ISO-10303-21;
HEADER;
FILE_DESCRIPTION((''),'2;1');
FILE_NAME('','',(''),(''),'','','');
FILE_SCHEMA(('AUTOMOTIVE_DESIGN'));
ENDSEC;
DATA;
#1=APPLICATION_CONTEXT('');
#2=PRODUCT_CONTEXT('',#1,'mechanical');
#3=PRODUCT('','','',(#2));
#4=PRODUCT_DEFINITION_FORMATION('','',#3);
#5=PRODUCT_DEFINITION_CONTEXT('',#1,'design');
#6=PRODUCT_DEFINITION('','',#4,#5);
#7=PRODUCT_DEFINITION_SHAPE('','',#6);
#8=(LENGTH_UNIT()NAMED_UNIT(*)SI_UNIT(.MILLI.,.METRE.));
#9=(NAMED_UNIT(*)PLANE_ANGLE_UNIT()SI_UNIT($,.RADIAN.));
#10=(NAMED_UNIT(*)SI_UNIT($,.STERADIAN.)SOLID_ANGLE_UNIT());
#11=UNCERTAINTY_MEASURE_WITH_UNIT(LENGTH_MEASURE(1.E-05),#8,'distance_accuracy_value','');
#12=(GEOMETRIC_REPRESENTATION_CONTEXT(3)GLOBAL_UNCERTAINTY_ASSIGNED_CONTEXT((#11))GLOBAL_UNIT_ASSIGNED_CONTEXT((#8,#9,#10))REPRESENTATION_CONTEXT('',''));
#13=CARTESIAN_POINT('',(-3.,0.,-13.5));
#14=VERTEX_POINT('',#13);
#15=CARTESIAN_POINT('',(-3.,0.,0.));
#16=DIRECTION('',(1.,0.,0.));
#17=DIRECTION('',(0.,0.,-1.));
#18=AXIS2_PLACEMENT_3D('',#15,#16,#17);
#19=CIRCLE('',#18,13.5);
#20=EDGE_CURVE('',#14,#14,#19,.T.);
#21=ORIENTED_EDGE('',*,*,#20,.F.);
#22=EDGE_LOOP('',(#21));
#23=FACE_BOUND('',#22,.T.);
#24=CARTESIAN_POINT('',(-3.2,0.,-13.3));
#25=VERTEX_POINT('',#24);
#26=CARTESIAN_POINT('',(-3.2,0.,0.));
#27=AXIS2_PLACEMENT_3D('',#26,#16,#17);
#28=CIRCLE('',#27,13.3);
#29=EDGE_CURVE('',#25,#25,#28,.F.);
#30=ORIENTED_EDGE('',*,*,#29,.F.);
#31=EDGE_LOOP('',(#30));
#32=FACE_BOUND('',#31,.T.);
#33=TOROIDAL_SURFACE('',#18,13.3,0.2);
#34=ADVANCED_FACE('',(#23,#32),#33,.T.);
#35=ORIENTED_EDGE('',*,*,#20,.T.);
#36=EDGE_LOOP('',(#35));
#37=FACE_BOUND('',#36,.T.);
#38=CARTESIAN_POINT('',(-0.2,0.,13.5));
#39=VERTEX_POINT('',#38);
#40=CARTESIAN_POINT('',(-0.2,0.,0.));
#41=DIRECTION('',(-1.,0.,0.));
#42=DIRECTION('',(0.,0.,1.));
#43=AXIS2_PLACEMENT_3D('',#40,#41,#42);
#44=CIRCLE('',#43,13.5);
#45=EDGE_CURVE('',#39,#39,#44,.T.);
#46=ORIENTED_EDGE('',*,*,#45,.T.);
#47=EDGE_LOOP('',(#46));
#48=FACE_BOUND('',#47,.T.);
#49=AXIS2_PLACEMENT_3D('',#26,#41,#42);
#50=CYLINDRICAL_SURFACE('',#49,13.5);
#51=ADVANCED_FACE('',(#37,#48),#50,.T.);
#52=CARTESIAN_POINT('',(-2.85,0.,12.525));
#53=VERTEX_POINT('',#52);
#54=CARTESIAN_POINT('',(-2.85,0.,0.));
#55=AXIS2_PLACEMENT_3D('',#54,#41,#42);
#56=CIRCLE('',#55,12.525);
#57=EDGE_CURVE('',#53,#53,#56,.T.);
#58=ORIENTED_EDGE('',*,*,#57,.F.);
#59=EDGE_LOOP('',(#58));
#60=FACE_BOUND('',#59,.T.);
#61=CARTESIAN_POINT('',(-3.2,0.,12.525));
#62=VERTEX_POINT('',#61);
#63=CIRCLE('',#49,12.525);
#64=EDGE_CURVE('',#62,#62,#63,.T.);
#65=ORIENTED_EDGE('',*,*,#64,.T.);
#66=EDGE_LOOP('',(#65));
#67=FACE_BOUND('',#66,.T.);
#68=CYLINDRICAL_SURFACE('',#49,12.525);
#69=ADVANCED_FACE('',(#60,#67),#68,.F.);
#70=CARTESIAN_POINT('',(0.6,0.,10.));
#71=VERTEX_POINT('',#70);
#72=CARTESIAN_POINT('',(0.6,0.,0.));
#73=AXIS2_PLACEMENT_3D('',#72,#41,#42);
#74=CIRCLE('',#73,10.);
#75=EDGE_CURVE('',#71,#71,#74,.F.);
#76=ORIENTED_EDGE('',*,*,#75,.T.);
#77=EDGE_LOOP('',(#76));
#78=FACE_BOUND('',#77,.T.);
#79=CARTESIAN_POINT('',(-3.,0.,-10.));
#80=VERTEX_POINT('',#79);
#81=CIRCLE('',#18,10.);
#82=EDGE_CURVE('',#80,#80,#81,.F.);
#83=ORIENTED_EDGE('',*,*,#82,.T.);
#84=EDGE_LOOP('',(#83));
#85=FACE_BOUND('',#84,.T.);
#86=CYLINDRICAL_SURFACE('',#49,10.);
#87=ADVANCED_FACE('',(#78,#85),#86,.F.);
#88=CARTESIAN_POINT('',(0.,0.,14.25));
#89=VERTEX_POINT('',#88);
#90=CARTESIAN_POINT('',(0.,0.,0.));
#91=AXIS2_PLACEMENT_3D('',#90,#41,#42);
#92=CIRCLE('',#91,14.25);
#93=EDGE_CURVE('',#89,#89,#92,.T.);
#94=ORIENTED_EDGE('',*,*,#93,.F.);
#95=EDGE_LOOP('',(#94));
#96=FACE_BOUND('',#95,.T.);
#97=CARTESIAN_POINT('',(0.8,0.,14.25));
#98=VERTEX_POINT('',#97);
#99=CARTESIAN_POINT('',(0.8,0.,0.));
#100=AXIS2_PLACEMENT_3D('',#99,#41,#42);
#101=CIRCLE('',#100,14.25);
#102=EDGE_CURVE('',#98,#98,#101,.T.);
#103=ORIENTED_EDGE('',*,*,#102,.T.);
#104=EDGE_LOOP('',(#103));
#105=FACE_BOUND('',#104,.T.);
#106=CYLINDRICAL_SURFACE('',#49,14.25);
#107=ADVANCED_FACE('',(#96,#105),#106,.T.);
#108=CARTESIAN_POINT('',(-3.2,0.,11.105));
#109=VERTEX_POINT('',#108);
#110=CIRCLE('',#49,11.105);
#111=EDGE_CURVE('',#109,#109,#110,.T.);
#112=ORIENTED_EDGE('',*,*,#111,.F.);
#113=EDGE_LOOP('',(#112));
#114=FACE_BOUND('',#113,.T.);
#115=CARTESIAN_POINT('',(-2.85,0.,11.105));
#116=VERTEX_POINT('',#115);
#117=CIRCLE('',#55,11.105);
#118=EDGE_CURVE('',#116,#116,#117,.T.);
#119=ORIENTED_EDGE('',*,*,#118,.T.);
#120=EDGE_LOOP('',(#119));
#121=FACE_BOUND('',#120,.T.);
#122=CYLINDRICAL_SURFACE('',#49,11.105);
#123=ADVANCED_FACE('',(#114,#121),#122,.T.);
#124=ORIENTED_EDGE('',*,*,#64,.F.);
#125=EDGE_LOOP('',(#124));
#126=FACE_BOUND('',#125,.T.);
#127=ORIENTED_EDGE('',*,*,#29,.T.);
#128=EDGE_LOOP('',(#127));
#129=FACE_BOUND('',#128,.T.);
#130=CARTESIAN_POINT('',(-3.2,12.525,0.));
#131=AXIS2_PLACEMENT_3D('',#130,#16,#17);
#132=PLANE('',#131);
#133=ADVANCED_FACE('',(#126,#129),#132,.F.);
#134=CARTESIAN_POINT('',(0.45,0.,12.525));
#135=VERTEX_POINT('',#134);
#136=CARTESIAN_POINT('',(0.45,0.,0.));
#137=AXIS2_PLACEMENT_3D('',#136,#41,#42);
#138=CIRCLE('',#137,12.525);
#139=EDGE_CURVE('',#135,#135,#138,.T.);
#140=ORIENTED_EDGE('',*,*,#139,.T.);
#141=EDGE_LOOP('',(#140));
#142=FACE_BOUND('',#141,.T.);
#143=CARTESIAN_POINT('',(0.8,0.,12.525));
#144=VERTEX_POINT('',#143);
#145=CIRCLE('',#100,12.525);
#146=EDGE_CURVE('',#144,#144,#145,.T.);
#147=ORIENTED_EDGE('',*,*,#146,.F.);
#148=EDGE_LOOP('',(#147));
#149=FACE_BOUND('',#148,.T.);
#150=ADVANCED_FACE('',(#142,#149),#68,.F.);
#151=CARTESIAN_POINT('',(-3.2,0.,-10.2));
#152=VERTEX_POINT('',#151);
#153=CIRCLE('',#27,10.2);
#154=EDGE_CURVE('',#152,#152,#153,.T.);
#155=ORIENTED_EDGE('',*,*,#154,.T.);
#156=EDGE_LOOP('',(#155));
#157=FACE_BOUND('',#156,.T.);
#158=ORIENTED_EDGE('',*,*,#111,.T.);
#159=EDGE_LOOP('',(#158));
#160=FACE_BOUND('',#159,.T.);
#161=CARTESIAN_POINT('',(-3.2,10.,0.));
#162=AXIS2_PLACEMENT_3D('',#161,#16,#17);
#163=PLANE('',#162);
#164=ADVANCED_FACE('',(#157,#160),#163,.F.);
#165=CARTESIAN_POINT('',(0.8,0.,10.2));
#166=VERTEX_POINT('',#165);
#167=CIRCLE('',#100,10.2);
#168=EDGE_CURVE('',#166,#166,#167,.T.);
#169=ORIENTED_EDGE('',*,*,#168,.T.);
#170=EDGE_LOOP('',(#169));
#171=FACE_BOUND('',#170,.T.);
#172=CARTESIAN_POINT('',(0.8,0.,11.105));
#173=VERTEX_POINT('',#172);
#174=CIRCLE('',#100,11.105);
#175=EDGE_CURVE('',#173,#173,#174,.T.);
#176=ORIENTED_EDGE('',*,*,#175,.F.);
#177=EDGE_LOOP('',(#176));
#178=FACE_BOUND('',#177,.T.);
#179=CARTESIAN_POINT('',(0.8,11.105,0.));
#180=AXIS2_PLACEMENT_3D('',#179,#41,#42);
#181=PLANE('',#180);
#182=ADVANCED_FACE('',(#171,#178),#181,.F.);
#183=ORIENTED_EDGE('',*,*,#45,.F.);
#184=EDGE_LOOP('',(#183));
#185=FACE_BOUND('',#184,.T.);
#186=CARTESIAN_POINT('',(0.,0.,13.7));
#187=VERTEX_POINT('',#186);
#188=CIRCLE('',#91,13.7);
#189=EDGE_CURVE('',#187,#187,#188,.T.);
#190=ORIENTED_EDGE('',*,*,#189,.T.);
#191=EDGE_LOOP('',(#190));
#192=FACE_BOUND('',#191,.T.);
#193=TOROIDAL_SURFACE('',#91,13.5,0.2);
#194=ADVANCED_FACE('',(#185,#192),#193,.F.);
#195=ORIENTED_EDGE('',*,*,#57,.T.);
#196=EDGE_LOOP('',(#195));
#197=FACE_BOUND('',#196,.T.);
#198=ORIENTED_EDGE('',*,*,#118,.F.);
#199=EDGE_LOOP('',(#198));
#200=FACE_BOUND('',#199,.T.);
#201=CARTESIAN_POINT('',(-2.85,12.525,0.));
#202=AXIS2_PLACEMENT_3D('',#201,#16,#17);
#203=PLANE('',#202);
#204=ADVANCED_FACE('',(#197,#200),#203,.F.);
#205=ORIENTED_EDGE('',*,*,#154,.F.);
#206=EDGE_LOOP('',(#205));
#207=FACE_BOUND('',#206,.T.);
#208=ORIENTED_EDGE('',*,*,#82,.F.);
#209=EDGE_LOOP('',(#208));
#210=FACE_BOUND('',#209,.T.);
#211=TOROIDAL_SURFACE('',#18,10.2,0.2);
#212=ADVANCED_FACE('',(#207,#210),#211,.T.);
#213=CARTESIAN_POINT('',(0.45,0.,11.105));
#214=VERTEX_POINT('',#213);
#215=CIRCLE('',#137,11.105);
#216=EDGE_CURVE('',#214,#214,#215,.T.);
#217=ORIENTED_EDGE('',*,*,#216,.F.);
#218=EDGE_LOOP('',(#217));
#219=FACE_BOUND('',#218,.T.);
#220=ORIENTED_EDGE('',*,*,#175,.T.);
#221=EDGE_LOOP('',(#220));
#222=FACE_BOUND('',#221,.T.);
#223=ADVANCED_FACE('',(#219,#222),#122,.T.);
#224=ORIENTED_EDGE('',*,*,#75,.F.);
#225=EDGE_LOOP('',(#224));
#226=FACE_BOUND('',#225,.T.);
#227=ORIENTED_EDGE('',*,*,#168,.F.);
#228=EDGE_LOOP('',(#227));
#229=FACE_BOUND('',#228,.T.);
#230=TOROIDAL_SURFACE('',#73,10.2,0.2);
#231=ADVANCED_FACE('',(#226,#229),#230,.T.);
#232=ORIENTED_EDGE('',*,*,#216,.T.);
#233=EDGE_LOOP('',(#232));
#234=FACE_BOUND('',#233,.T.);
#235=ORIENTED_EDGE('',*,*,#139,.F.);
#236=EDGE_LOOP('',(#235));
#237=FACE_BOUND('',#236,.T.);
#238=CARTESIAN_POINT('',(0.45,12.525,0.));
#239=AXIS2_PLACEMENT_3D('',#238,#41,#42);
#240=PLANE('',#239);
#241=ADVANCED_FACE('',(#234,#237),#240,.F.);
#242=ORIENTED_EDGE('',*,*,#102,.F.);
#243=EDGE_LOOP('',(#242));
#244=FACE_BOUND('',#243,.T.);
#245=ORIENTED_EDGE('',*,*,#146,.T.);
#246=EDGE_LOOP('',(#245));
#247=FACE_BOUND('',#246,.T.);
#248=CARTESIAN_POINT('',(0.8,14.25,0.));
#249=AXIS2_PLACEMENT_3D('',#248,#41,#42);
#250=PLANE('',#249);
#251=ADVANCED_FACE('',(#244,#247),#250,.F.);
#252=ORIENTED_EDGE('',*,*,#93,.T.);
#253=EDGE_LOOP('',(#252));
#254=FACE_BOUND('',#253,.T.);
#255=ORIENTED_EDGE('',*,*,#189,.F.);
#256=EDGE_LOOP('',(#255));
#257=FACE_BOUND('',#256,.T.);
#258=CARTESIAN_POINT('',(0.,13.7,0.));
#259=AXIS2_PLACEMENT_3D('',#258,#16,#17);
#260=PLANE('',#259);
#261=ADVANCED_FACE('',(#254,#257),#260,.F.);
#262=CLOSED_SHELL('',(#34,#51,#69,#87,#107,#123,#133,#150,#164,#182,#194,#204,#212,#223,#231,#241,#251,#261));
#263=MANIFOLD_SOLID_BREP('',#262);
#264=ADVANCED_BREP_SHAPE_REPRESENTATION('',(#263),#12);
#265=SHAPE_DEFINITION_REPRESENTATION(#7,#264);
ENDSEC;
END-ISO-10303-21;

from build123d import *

# Parameters (mm, degrees)
FILLET1_R = 0.2


with BuildPart() as part:
    # Sketch1 → Revolve1 (revolve)
    with BuildSketch(Plane.XY, mode=Mode.PRIVATE) as revolve1_sk:
        with BuildLine():
            Line((0, 13.7), (0, 14.25))
            Line((0, 14.25), (0.8, 14.25))
            Line((0.8, 14.25), (0.8, 12.525))
            Line((0.8, 12.525), (0.45, 12.525))
            Line((0.45, 12.525), (0.45, 11.105))
            Line((0.45, 11.105), (0.8, 11.105))
            Line((0.8, 11.105), (0.8, 10))
            Line((0.8, 10), (-3.2, 10))
            Line((-3.2, 10), (-3.2, 11.105))
            Line((-3.2, 11.105), (-2.85, 11.105))
            Line((-2.85, 11.105), (-2.85, 12.525))
            Line((-2.85, 12.525), (-3.2, 12.525))
            Line((-3.2, 12.525), (-3.2, 13.5))
            Line((-3.2, 13.5), (-0.2, 13.5))
            ThreePointArc((-0.2, 13.5), (0.141421356, 13.358578644), (0, 13.7))
        make_face()
    revolve(revolve1_sk.sketch.rotate(Axis((-3.2, 0, 0), (1, 0, 0)), 90), axis=Axis((-3.2, 0, 0), (1, 0, 0)))

    # Fillet1
    fillet1_edges = [part.edges().sort_by_distance(p)[0] for p in [
        (0.8, 0, -10),
        (-3.2, 0, -10),
        (-3.2, 0, -13.5),
    ]]
    fillet(fillet1_edges, radius=FILLET1_R)


solid = part.part
